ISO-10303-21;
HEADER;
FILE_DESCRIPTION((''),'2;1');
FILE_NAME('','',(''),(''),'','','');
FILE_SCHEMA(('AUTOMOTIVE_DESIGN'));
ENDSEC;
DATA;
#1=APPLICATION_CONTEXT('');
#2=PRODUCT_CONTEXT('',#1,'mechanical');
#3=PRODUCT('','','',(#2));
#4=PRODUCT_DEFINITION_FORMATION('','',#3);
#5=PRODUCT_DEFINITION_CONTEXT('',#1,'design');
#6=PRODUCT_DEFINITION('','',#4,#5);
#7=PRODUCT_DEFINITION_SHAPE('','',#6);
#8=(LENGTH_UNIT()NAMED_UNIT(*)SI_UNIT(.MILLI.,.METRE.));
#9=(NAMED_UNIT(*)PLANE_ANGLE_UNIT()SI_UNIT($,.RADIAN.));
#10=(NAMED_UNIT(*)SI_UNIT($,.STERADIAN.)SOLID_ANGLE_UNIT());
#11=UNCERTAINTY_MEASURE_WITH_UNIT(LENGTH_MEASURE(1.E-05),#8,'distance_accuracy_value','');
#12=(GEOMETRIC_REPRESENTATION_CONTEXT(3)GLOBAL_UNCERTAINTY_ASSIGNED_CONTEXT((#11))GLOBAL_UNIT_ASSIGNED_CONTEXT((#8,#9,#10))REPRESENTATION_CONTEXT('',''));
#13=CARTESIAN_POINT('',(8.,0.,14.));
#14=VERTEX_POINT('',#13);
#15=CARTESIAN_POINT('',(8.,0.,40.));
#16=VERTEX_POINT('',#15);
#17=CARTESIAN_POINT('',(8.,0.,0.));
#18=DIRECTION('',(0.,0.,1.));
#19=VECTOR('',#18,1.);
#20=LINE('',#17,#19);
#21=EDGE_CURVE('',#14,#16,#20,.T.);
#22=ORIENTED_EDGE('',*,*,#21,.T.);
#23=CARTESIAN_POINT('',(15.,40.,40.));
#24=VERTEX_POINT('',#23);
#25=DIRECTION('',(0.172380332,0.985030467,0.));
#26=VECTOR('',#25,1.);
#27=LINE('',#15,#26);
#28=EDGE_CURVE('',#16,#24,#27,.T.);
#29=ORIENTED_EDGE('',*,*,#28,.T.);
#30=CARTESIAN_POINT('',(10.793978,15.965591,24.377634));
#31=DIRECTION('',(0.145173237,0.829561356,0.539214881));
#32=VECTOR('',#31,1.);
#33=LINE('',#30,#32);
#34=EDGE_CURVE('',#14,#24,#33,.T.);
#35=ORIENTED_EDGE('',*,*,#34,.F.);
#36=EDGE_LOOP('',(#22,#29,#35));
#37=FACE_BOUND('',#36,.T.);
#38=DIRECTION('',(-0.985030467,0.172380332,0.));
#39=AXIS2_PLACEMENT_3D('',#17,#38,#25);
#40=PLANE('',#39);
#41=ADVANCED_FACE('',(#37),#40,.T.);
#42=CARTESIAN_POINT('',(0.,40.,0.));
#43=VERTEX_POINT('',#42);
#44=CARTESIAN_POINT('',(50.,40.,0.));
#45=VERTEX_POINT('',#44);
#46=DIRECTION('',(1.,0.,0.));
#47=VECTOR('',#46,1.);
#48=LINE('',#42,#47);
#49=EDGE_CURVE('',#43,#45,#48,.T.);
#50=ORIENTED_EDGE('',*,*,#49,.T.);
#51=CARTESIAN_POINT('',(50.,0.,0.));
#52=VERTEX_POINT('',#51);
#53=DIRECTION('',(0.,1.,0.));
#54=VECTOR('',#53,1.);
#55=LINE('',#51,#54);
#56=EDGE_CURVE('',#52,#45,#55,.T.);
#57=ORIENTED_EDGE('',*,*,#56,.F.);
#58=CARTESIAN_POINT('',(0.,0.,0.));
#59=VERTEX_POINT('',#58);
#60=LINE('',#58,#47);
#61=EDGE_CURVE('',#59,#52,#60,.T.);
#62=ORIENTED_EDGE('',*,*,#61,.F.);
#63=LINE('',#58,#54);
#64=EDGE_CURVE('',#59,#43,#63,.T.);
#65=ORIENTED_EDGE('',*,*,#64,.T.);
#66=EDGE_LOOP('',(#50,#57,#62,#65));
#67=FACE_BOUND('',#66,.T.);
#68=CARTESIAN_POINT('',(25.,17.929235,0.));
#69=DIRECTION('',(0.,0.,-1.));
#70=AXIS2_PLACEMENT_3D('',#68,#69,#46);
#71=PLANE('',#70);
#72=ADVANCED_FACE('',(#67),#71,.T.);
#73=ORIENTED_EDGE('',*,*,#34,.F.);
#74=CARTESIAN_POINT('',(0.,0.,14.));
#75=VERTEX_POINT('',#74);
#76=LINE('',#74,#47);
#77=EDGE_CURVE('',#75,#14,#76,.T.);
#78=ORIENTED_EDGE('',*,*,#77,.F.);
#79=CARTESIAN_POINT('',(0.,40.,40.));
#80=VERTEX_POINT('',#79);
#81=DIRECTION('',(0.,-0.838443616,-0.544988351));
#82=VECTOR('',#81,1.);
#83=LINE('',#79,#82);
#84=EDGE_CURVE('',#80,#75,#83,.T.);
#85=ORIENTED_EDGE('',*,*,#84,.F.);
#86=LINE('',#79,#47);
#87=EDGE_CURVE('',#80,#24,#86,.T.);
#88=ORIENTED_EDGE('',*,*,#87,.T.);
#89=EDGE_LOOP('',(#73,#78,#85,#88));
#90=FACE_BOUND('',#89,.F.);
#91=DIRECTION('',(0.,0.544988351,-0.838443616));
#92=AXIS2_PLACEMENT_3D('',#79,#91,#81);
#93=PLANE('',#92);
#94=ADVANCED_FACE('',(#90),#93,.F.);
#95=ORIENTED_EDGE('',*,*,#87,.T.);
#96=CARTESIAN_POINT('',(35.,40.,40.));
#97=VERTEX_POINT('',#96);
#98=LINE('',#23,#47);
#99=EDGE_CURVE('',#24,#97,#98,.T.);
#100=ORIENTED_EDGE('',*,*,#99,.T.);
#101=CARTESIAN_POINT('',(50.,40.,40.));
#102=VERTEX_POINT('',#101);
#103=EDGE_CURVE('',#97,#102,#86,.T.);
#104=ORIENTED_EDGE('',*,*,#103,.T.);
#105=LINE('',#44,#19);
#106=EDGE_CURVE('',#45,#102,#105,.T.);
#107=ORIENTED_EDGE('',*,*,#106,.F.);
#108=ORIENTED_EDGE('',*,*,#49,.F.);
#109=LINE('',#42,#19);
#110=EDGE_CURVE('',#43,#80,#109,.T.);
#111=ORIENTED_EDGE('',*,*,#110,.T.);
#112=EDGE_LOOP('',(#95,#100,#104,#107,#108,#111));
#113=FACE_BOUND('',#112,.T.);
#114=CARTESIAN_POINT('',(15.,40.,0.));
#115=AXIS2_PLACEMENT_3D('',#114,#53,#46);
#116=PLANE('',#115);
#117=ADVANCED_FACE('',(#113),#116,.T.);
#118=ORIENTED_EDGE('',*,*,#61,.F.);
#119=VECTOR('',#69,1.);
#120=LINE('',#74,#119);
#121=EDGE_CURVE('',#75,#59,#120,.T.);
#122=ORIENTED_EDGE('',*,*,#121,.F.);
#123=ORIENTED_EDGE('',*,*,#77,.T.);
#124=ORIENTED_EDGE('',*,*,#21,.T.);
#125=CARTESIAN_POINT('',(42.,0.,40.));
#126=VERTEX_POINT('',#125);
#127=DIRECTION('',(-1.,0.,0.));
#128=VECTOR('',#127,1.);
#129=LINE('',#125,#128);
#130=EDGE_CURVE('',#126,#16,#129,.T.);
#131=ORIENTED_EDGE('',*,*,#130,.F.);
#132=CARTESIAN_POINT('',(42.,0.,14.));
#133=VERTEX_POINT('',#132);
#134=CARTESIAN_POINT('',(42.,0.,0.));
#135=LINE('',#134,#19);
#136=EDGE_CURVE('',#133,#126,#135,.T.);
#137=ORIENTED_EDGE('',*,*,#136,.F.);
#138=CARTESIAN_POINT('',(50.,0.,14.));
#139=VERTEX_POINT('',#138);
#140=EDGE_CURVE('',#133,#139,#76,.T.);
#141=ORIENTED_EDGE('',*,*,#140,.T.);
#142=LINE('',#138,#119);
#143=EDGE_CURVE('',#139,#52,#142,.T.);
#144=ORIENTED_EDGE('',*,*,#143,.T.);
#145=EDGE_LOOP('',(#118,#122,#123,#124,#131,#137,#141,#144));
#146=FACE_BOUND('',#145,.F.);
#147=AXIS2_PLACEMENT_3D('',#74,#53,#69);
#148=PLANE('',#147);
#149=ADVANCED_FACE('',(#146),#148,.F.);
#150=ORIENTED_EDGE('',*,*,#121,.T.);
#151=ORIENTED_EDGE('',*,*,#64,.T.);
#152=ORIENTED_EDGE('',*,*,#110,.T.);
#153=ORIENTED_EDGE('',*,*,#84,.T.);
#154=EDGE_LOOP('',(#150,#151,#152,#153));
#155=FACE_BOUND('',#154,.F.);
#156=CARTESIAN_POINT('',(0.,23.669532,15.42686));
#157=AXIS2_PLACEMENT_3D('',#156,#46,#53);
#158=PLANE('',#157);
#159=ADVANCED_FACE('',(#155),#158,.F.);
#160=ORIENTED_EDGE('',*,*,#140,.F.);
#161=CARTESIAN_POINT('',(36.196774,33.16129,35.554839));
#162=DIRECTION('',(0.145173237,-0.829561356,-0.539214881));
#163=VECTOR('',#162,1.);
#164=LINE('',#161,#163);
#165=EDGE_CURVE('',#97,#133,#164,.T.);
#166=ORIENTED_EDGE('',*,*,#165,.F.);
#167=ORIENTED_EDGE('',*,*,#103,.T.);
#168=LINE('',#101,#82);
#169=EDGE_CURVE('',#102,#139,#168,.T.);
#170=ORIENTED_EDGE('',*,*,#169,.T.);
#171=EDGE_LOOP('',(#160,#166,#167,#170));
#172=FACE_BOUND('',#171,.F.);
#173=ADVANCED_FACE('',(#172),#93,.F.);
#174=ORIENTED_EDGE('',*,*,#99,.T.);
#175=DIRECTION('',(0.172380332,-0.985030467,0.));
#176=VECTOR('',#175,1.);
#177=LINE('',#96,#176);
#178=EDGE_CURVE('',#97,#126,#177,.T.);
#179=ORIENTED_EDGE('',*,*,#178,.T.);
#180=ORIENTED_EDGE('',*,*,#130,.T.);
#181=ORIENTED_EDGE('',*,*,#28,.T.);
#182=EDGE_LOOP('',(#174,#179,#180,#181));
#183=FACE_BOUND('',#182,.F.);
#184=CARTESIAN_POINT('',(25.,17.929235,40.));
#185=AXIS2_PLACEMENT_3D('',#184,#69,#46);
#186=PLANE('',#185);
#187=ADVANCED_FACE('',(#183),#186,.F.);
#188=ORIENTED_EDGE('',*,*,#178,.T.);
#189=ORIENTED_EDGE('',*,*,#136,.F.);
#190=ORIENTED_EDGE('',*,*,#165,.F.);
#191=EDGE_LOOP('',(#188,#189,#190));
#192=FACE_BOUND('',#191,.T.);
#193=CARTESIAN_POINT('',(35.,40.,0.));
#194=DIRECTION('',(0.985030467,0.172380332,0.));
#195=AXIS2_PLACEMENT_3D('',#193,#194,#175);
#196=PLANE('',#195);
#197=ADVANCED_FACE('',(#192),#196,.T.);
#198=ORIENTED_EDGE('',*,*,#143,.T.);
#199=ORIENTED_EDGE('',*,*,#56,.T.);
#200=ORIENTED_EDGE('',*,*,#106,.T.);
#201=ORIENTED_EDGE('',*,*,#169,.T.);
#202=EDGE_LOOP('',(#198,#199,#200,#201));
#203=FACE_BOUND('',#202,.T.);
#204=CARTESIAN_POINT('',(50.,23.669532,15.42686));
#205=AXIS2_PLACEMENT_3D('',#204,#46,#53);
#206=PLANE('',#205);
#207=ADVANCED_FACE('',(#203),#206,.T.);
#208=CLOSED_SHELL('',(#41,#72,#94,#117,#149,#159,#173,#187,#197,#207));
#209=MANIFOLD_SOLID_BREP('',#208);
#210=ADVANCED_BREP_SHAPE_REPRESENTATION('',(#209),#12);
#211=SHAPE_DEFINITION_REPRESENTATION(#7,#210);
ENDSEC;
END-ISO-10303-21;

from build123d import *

# Parameters (mm, degrees)
F1_DEPTH = 50
F3_DEPTH = 40


with BuildPart() as f1:
    # F0 (on Right) → F1 (new body)
    with BuildSketch(Plane.YZ):
        Polygon((0, 14), (0, 0), (40, 0), (40, 40), align=None)
    extrude(amount=F1_DEPTH)

    # F2 (on face) → F3 (join)
    with BuildSketch(Plane(origin=(0, 0, 0), x_dir=(1, 0, 0), z_dir=(0, 0, -1))):
        Polygon((42, 0), (8, 0), (15, -40), (35, -40), align=None)
    extrude(amount=-F3_DEPTH)


solid = f1.part
